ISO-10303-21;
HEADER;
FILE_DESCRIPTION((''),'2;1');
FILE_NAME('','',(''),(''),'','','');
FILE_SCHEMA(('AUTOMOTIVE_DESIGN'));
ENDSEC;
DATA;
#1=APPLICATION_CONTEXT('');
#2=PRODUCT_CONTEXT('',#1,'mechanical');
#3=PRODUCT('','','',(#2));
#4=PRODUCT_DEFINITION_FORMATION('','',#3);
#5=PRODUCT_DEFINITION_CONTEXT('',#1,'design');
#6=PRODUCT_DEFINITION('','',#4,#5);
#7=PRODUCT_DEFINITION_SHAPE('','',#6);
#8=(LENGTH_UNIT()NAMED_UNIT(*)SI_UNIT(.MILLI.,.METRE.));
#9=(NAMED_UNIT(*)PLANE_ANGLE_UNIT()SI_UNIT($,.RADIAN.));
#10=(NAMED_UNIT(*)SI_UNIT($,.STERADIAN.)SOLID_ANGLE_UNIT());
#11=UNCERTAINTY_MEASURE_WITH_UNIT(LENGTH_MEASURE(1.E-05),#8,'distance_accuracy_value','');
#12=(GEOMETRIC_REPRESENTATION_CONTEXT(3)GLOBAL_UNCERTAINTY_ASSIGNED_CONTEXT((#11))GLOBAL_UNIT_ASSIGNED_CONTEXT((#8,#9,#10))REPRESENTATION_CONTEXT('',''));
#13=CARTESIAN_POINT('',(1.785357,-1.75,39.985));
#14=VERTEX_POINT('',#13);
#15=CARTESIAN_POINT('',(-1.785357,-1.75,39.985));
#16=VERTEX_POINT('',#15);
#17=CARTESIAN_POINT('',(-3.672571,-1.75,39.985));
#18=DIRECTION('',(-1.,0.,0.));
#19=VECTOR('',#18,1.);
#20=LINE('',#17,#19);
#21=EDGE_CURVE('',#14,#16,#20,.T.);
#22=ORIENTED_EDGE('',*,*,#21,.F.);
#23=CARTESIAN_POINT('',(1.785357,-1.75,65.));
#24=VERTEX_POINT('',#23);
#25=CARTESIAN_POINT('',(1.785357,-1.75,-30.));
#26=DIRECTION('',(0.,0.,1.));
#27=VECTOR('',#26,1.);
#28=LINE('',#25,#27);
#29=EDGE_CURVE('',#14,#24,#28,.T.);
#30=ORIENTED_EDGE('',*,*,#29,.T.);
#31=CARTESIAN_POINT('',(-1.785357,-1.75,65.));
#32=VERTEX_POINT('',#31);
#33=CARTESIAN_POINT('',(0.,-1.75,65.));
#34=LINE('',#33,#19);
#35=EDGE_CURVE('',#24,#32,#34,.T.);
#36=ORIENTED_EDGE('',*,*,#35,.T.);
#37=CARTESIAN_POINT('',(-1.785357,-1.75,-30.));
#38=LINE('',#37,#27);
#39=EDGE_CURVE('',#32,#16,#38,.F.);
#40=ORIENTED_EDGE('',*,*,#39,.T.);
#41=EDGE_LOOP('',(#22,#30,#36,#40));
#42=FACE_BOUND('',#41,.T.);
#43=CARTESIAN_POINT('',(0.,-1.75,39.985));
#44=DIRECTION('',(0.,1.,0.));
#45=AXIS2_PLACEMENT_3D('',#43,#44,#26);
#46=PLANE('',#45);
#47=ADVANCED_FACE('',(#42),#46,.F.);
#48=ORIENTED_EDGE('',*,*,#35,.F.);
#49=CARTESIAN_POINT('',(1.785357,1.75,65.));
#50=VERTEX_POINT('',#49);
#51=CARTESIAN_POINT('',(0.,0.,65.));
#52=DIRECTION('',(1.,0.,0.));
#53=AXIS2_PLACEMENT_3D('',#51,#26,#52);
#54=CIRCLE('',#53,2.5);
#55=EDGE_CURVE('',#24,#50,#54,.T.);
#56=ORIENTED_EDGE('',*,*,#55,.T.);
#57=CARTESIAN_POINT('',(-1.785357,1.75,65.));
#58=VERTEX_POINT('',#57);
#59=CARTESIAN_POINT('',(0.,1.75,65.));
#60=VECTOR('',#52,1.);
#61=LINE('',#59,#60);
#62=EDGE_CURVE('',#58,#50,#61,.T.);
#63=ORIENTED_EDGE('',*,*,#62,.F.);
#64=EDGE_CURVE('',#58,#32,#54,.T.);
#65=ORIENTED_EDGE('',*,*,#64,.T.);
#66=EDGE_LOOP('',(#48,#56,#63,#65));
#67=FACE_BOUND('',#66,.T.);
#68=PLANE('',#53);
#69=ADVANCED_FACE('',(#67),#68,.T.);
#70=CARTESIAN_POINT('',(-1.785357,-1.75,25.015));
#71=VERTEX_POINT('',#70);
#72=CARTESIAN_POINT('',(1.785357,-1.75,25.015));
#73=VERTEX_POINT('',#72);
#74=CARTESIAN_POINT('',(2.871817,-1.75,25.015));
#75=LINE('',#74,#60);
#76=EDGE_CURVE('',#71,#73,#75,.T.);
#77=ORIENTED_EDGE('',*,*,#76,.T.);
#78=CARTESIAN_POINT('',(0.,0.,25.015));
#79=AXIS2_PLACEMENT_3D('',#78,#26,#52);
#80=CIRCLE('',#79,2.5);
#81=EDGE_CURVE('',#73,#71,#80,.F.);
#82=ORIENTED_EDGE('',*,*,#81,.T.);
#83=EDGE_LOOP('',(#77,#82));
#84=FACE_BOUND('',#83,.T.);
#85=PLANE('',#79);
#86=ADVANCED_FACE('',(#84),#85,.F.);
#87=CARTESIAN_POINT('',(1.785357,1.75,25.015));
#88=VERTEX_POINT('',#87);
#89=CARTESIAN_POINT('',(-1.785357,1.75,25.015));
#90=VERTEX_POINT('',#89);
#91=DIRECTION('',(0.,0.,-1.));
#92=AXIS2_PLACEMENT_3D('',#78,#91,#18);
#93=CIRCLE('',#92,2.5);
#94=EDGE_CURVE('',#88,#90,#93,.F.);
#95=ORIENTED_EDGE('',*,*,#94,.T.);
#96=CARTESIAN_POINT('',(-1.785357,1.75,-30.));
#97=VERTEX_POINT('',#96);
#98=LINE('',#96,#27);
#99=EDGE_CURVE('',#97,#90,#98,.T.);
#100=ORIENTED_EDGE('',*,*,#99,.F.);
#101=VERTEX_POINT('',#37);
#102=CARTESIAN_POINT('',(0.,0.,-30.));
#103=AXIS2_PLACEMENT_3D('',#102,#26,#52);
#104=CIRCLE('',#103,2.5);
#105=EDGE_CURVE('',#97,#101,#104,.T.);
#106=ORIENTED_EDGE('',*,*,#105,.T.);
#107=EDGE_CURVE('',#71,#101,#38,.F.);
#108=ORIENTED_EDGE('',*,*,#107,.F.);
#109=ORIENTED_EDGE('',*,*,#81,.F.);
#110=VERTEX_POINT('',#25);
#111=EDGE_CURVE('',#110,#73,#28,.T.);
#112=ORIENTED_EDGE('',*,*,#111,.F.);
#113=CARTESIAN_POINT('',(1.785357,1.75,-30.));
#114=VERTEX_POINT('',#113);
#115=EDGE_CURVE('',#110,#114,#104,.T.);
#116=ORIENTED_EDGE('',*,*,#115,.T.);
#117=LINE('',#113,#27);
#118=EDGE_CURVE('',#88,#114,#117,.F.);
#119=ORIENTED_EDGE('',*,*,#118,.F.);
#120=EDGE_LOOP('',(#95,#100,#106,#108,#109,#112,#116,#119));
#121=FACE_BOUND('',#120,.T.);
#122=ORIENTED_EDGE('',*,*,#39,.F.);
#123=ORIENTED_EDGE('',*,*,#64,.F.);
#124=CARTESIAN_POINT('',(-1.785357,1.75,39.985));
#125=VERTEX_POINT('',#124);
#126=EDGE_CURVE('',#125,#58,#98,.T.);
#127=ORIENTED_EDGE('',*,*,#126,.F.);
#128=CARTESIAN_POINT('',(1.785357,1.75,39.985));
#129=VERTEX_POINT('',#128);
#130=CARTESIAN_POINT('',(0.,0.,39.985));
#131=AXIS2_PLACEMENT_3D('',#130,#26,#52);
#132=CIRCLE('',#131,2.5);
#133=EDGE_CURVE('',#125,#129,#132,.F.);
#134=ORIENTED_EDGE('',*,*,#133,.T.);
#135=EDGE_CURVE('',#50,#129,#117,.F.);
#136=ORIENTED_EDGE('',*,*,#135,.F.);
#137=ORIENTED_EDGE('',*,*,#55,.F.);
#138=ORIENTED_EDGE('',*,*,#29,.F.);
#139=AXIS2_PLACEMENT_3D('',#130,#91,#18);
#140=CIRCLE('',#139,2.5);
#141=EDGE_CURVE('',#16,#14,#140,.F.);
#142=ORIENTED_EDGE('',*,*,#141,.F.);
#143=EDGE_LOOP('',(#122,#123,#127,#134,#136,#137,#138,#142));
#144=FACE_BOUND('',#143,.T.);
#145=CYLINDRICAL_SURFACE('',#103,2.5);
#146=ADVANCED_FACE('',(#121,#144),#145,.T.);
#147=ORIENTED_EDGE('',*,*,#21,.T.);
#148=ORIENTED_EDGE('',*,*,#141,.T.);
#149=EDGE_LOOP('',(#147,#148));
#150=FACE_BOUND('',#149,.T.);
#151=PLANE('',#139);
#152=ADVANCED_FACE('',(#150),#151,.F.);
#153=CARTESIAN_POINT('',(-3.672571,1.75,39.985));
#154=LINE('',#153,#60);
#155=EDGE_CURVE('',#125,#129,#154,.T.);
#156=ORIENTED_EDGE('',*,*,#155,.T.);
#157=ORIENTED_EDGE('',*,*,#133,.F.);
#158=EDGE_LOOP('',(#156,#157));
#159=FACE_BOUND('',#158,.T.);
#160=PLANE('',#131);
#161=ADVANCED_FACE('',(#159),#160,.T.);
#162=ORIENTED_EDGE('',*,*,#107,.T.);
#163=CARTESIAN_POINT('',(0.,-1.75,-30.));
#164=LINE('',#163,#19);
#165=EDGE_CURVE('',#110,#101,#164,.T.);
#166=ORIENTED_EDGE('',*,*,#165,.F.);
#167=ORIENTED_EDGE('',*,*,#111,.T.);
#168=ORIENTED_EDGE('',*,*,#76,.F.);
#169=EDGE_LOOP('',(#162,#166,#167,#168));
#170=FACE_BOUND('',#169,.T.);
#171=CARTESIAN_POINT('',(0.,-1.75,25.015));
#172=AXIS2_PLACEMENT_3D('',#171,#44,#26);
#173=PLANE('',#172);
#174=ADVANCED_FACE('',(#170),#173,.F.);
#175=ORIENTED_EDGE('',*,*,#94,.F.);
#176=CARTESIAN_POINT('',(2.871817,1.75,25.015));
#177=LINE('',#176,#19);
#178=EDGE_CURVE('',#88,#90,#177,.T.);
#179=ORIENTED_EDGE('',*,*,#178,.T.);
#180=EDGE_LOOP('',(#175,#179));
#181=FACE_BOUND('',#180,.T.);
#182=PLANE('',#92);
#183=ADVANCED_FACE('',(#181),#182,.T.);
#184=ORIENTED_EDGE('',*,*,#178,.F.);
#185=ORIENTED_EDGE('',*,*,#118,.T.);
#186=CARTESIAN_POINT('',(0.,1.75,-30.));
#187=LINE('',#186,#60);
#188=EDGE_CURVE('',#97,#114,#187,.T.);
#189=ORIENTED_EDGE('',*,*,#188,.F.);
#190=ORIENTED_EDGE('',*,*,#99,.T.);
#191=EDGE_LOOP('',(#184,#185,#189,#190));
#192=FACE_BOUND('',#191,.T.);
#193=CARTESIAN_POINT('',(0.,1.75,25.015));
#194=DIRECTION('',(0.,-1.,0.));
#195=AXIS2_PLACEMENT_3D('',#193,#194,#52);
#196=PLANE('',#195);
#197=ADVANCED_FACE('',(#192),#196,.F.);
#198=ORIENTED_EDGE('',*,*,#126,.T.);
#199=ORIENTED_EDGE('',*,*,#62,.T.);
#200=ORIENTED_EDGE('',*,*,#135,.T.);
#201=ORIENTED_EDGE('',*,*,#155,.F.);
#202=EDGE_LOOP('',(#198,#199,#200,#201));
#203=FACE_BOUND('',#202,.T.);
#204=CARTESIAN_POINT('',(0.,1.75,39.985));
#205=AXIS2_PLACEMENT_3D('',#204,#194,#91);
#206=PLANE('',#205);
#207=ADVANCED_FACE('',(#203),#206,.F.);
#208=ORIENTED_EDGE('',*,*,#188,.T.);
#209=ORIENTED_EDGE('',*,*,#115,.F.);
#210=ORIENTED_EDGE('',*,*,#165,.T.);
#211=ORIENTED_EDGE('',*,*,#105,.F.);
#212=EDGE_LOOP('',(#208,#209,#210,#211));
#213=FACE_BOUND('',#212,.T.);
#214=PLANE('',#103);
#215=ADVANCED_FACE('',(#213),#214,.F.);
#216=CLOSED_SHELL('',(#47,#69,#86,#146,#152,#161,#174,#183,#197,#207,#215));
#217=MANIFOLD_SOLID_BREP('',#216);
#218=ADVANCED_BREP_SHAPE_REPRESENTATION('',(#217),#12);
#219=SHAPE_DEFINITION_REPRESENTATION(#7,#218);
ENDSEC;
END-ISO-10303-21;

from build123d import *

# Parameters (mm, degrees)
RESSALTO_EXTRUS_O1_DEPTH      = 65
RESSALTO_EXTRUS_O1_DEPTH_BACK = 30
ESBO_O1_R                     = 2.5
CORTE_EXTRUS_O4_DEPTH         = 25.015
CORTE_EXTRUS_O5_DEPTH         = 55.015


with BuildPart() as part:
    # Esboço1 → Ressalto-extrusão1 (new, two sides: drawn at the far end of the back side and taken through both)
    with BuildSketch(Plane.XY.offset(-RESSALTO_EXTRUS_O1_DEPTH_BACK)):
        Circle(ESBO_O1_R)
    extrude(amount=RESSALTO_EXTRUS_O1_DEPTH + RESSALTO_EXTRUS_O1_DEPTH_BACK)

    # Esboço5 → Corte-extrusão4 (cut)
    with BuildSketch(Plane.XY.offset(65)):
        Polygon((0, 1.75), (2.691542187, 1.75), (2.691542187, 3.079428638), (-3.67257147, 3.079428638), (-3.67257147, 1.75), align=None)
        Polygon((0, -1.75), (2.691542187, -1.75), (2.691542187, -3.180047036), (-3.67257147, -3.180047036), (-3.67257147, -1.75), align=None)
    extrude(amount=-CORTE_EXTRUS_O4_DEPTH, mode=Mode.SUBTRACT)

    # Esboço6 → Corte-extrusão5 (cut)
    with BuildSketch(Plane(origin=(0, 0, -30), x_dir=(-1, 0, 0), z_dir=(0, 0, -1))):
        Polygon((0, 1.75), (2.641232941, 1.75), (2.641232941, 2.913827525), (-2.871816769, 2.913827525), (-2.871816769, 1.75), align=None)
        Polygon((0, -1.75), (2.641232941, -1.75), (2.641232941, -3.018638356), (-2.871816769, -3.018638356), (-2.871816769, -1.75), align=None)
    extrude(amount=-CORTE_EXTRUS_O5_DEPTH, mode=Mode.SUBTRACT)


solid = part.part
